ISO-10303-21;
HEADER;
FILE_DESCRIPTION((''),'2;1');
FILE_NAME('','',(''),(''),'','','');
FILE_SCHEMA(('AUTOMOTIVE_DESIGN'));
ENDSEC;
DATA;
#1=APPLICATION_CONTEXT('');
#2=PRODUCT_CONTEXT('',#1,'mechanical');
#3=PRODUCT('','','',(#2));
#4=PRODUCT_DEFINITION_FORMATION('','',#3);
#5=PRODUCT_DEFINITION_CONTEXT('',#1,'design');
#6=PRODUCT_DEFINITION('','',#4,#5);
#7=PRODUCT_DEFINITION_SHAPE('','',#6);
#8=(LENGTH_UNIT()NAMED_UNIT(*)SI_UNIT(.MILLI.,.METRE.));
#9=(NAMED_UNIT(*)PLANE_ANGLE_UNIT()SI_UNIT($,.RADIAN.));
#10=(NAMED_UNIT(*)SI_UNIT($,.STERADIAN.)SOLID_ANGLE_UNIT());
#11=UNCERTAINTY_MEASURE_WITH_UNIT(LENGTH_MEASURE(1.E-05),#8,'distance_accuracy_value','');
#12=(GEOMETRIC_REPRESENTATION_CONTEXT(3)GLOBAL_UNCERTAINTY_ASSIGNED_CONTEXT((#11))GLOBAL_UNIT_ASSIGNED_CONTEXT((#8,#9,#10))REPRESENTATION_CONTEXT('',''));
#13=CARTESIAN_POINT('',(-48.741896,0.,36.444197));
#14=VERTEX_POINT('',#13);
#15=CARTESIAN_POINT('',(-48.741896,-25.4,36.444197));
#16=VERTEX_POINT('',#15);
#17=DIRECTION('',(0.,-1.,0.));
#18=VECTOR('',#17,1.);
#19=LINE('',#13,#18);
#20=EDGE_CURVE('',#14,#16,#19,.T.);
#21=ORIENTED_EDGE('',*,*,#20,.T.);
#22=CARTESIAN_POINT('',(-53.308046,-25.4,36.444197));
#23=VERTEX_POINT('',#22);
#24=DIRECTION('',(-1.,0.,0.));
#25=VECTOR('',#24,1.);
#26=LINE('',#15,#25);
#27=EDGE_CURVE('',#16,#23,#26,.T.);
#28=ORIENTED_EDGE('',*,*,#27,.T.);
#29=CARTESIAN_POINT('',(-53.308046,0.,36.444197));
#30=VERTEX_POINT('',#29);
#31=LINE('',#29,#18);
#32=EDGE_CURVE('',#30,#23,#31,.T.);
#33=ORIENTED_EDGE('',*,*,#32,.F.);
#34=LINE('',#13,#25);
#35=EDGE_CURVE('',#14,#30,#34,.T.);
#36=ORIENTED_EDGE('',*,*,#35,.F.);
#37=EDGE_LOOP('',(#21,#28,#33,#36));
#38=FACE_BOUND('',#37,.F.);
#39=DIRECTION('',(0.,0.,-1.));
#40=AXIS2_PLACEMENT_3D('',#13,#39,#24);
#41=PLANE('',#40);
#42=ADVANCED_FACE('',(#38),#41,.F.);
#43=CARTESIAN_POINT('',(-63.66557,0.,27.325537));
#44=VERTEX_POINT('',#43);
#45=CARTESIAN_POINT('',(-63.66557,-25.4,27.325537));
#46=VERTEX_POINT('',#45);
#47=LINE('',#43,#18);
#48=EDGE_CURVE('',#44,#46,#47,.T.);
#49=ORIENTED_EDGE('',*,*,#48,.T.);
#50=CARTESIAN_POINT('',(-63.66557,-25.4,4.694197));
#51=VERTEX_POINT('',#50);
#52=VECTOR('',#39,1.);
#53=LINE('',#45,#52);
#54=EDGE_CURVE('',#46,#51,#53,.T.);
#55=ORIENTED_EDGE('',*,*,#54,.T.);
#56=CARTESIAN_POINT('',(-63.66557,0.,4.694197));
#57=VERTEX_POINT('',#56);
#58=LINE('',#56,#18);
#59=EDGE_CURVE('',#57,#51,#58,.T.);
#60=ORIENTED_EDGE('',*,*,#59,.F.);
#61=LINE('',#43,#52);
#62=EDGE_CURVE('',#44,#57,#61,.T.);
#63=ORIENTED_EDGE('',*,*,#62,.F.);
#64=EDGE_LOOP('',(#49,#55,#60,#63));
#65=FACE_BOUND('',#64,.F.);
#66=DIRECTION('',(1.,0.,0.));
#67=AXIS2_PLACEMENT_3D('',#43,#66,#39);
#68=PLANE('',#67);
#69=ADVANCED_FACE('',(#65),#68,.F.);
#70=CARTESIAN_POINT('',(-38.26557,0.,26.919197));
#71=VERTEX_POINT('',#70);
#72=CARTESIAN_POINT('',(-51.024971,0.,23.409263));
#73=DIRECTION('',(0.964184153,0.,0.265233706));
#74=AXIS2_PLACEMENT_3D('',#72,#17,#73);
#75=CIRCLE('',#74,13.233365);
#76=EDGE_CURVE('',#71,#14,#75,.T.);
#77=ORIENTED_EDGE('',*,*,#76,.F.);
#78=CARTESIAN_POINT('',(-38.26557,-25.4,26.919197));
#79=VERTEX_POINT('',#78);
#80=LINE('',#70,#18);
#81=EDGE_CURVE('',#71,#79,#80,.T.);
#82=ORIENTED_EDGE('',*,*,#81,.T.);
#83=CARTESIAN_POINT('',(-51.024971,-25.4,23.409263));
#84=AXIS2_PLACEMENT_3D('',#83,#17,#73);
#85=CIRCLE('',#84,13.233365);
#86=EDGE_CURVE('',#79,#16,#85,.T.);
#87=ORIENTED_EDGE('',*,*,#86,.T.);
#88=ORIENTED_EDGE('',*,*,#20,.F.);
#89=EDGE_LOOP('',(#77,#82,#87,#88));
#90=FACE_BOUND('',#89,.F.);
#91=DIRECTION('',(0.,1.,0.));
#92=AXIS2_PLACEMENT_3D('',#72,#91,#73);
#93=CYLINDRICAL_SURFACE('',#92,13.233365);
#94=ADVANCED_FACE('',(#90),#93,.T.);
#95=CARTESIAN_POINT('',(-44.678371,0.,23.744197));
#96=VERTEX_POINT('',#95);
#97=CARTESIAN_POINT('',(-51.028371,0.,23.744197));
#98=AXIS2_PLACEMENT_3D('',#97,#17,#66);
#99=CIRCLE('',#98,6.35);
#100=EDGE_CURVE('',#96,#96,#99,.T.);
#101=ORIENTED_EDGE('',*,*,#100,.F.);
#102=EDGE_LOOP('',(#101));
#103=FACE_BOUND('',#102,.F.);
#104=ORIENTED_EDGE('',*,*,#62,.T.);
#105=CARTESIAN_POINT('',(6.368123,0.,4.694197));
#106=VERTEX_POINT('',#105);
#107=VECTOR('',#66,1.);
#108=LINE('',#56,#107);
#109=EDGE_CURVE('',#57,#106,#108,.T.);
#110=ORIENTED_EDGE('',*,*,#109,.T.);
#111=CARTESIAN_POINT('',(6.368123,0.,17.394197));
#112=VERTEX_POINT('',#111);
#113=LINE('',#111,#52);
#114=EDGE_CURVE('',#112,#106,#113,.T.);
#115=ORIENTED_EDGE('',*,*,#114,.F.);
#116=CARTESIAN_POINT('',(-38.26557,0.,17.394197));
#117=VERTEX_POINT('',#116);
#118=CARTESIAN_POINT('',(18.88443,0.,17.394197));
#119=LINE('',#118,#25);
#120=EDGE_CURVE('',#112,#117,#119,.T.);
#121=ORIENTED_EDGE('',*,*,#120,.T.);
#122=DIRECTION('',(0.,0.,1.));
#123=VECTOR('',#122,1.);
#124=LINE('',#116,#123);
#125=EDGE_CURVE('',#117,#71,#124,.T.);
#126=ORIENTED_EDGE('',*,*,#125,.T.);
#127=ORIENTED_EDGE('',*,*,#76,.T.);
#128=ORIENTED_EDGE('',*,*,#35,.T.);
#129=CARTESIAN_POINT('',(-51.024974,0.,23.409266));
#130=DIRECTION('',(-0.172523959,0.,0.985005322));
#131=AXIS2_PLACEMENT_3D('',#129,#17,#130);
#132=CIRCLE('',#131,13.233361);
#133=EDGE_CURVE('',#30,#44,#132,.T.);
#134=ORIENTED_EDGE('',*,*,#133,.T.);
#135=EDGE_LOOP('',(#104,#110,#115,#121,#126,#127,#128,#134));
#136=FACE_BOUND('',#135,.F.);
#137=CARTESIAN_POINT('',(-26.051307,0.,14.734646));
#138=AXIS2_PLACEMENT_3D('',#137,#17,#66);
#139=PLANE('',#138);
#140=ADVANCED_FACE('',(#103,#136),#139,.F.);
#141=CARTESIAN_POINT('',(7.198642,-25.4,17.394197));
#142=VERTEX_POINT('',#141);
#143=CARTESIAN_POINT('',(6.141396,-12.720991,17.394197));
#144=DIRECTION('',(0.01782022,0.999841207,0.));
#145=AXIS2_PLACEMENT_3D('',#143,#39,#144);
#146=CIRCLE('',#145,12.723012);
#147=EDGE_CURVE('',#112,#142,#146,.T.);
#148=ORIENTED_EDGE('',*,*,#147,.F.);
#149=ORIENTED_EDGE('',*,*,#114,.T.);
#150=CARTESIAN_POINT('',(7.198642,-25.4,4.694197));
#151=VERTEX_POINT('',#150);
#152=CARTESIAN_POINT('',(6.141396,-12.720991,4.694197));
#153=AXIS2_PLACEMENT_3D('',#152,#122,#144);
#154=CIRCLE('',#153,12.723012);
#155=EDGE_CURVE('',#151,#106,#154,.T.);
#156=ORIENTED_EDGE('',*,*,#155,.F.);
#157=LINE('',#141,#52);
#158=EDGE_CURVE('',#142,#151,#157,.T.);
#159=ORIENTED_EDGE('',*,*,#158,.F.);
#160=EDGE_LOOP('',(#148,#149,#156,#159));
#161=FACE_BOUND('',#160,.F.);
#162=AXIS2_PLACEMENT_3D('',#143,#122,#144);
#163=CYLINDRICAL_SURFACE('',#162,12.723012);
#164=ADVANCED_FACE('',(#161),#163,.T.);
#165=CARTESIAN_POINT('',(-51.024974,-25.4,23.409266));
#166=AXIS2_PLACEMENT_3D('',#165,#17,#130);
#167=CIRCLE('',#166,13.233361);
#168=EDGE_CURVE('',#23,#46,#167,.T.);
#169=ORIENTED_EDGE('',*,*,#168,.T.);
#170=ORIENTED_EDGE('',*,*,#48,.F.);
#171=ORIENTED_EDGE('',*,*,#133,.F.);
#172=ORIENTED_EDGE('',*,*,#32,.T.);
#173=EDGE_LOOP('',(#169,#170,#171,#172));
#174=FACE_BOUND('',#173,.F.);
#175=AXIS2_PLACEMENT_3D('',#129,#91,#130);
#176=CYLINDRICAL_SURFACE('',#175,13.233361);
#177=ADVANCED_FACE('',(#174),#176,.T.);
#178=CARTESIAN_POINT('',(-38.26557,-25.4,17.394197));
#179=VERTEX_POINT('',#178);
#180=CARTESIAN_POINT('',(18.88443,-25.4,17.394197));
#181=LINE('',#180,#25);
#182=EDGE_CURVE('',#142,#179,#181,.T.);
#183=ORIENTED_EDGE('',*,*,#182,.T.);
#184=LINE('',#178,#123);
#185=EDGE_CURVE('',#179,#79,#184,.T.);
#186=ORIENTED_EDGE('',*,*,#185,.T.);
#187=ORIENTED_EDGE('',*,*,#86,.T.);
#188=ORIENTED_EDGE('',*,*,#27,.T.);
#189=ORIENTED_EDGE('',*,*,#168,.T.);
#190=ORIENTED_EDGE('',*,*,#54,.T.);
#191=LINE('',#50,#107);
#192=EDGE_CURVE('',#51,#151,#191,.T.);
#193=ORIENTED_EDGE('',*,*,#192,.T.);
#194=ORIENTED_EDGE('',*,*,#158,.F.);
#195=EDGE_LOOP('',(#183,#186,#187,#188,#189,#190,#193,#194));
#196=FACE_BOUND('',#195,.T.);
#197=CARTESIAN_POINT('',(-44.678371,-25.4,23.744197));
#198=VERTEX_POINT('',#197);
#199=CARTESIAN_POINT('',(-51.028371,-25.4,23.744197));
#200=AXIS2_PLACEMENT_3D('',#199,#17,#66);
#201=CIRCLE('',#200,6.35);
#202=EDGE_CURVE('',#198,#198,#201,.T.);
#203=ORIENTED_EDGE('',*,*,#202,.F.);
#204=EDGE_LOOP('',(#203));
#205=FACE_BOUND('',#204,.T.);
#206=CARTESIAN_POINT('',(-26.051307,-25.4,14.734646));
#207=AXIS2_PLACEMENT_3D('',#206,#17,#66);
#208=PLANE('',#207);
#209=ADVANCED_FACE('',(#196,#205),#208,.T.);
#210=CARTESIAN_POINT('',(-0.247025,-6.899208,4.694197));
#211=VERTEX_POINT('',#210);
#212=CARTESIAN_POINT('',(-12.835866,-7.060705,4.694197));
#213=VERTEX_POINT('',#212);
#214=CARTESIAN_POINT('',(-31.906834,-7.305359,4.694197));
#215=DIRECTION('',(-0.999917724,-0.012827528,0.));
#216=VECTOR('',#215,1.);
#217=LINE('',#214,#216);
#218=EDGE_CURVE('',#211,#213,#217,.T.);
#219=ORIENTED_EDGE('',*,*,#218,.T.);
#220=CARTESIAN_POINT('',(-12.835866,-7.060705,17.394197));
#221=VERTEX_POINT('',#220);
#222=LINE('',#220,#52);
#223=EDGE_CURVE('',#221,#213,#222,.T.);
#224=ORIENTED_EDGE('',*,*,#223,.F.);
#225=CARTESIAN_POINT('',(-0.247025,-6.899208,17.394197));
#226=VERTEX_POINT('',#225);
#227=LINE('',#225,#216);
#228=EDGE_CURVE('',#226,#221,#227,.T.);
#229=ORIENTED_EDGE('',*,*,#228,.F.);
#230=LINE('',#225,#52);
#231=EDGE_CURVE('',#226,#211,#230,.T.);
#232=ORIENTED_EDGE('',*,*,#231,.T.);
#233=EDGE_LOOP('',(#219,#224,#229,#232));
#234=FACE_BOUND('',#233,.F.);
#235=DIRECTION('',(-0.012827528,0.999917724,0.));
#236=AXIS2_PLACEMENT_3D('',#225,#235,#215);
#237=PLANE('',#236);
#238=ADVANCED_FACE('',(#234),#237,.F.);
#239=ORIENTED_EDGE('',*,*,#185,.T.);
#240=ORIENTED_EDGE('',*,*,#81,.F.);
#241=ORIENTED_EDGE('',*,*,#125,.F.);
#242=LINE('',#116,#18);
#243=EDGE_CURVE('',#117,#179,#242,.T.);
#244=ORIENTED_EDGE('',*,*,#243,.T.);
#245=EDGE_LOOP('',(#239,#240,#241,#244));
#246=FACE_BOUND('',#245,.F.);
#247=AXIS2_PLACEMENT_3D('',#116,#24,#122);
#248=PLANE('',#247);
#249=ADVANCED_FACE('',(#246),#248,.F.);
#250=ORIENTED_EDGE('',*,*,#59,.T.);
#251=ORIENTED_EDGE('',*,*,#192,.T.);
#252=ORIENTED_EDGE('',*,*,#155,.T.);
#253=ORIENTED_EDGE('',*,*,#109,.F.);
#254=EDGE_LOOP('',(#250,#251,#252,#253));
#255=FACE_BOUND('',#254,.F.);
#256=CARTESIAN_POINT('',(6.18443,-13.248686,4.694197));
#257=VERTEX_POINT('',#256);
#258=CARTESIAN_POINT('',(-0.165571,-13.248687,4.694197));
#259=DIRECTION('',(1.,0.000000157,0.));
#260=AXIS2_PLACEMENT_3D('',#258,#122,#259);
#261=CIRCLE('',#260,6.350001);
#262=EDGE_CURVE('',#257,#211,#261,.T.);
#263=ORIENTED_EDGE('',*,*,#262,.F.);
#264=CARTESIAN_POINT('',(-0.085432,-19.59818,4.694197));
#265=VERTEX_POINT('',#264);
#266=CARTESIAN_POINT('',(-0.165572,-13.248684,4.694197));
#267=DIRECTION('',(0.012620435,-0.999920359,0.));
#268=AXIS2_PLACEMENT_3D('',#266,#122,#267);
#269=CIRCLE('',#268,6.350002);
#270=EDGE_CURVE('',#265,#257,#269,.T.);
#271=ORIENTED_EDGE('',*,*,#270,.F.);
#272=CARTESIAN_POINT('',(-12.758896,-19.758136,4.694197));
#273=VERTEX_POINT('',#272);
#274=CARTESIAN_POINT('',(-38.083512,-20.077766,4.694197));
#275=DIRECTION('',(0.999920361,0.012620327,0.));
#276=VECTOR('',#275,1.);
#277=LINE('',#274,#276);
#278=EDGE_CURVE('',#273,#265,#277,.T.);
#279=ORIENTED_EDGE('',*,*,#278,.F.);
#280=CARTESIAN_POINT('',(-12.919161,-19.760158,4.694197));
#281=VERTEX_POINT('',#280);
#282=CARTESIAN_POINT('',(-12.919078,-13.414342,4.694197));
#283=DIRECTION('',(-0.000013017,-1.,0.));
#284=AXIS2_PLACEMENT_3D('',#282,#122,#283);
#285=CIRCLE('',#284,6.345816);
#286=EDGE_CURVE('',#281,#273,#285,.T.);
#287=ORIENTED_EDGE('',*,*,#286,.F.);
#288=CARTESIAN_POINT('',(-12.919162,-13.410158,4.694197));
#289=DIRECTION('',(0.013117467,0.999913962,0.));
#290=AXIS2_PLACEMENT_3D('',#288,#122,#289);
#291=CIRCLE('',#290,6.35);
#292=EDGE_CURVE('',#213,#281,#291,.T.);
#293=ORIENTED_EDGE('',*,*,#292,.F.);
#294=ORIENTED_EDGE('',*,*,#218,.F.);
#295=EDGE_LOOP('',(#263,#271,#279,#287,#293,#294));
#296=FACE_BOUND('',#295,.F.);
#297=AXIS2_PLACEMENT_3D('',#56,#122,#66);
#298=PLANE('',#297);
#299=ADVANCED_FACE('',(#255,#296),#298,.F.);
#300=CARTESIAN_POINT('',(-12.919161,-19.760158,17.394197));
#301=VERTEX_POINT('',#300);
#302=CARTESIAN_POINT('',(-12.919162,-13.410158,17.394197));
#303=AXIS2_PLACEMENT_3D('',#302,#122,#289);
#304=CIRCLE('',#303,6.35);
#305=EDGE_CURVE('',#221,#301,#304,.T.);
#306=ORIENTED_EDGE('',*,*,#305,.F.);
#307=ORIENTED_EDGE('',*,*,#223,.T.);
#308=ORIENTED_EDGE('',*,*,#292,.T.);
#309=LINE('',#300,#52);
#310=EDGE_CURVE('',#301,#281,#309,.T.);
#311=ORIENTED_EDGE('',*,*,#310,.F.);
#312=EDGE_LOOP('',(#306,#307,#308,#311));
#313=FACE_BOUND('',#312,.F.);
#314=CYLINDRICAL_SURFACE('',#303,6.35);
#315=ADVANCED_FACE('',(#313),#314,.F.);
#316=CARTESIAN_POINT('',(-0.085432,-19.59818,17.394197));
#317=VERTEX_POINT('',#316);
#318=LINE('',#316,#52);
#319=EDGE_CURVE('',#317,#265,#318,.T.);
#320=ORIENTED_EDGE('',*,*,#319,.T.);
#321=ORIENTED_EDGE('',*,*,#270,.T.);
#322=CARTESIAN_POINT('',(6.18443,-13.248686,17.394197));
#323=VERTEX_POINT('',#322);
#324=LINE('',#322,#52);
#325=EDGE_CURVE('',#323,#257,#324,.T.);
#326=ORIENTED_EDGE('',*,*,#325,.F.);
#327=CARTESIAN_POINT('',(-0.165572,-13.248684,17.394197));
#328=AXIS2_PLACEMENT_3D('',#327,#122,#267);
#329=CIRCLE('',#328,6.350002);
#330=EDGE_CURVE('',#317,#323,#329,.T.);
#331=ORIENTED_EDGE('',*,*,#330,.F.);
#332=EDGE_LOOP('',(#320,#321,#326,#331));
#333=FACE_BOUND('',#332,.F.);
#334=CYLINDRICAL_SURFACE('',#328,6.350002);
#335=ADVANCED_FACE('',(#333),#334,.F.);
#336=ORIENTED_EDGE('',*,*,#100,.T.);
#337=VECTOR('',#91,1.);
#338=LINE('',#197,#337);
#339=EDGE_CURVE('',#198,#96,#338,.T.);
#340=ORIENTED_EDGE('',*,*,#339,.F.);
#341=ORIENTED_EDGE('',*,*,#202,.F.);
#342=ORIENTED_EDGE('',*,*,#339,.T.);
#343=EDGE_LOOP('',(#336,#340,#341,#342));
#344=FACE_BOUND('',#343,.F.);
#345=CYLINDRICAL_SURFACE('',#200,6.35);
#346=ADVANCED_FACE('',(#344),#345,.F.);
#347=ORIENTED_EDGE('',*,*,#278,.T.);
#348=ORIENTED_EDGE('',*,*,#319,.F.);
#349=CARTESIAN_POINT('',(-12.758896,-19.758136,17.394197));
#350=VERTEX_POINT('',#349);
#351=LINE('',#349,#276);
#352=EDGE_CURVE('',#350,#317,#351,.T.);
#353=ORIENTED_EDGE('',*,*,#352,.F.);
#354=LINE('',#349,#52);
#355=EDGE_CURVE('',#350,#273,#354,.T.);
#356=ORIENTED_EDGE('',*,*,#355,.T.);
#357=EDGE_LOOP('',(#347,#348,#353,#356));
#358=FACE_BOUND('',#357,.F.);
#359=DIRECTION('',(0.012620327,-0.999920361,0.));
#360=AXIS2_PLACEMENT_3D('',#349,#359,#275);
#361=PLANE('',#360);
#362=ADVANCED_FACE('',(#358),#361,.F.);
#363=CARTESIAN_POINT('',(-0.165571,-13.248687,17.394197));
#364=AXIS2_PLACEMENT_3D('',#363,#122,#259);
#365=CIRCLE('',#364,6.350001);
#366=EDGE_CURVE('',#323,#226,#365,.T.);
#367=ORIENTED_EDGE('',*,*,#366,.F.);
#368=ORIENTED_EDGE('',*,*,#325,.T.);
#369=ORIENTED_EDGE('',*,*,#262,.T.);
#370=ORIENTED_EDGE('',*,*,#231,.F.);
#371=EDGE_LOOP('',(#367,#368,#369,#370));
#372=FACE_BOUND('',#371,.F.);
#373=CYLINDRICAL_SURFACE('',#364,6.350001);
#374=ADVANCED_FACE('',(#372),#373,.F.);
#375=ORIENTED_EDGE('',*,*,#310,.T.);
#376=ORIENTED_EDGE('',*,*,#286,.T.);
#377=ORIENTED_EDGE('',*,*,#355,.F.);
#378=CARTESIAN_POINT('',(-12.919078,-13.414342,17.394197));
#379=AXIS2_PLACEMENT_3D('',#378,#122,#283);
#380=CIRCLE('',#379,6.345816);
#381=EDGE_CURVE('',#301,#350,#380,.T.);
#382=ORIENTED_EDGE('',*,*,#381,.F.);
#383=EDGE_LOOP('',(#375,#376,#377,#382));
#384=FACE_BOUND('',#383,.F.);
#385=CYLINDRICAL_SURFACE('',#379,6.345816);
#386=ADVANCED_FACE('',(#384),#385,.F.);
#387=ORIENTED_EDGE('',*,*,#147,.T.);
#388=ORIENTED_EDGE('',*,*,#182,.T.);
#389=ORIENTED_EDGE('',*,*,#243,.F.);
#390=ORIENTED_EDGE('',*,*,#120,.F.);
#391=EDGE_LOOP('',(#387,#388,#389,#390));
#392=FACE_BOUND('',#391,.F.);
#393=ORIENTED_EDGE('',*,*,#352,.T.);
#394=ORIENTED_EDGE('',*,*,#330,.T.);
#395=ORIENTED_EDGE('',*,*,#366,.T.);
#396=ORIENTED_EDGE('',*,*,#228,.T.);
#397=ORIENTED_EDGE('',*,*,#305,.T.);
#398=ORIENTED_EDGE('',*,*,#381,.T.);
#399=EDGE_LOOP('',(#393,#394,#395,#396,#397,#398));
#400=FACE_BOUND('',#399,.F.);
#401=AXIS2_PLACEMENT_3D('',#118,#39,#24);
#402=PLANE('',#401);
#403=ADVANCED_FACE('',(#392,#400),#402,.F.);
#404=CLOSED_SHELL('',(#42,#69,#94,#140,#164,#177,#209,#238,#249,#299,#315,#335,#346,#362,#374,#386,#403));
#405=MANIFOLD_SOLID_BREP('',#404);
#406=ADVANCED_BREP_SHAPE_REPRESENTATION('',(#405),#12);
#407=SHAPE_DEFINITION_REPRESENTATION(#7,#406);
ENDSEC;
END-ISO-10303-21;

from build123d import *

# Parameters (mm, degrees)
F1_DEPTH = 25.4
F4_DEPTH = 25.4
F5_R     = 6.35
F6_DEPTH = 25.4
F8_DEPTH = 25.4


with BuildPart() as f1:
    # F0 (on Front) → F1 (new body)
    with BuildSketch(Plane.XZ):
        with BuildLine():
            Line((-48.741896, 36.444197), (-53.308046, 36.444197))
            ThreePointArc((-53.308046, 36.444197), (-59.769484, 33.341808), (-63.66557, 27.325537))
            Line((-63.66557, 27.325537), (-63.66557, 4.694197))
            Line((-63.66557, 4.694197), (18.88443, 4.694197))
            Line((18.88443, 4.694197), (18.88443, 17.394197))
            Line((18.88443, 17.394197), (-38.26557, 17.394197))
            Line((-38.26557, 17.394197), (-38.26557, 26.919197))
            ThreePointArc((-38.26557, 26.919197), (-42.1227, 33.200663), (-48.741896, 36.444197))
        make_face()
    extrude(amount=F1_DEPTH)

    # F3 (on face) → F4 (cut)
    with BuildSketch(Plane.XY.offset(17.394197)):
        with BuildLine():
            ThreePointArc((6.368123, 0), (18.857612, -12.305201), (7.198642, -25.4))
            Line((7.198642, -25.4), (18.88443, -25.4))
            Line((18.88443, -25.4), (18.88443, 0))
            Line((18.88443, 0), (6.368123, 0))
        make_face()
    extrude(amount=-F4_DEPTH, mode=Mode.SUBTRACT)

    # F5 (on face) → F6 (cut)
    with BuildSketch(Plane.XZ.offset(25.4)):
        with Locations((-51.028371, 23.744197)):
            Circle(F5_R)
    extrude(amount=-F6_DEPTH, mode=Mode.SUBTRACT)

    # F7 (on face) → F8 (cut)
    with BuildSketch(Plane.XY.offset(17.394197)):
        with BuildLine():
            ThreePointArc((-0.085432, -19.59818), (4.352802, -17.71039), (6.18443, -13.248686))
            ThreePointArc((6.18443, -13.248686), (4.295666, -8.729851), (-0.247025, -6.899208))
            ThreePointArc((-0.247025, -6.899208), (-6.515056, -13.329482), (-0.085432, -19.59818))
        make_face()
        with BuildLine():
            ThreePointArc((-0.085432, -19.59818), (-6.515056, -13.329482), (-0.247025, -6.899208))
            Line((-0.247025, -6.899208), (-12.835866, -7.060705))
            ThreePointArc((-12.835866, -7.060705), (-8.39968, -8.949577), (-6.569161, -13.410158))
            ThreePointArc((-6.569161, -13.410158), (-8.372724, -17.843262), (-12.758896, -19.758136))
            Line((-12.758896, -19.758136), (-0.085432, -19.59818))
        make_face()
        with BuildLine():
            ThreePointArc((-6.569161, -13.410158), (-8.39968, -8.949577), (-12.835866, -7.060705))
            ThreePointArc((-12.835866, -7.060705), (-19.269025, -13.36851), (-12.919161, -19.760158))
            Line((-12.919161, -19.760158), (-12.758896, -19.758136))
            ThreePointArc((-12.758896, -19.758136), (-8.372724, -17.843262), (-6.569161, -13.410158))
        make_face()
        with BuildLine():
            ThreePointArc((-12.919161, -19.760158), (-12.839022, -19.759653), (-12.758896, -19.758136))
            Line((-12.758896, -19.758136), (-12.919161, -19.760158))
        make_face()
    extrude(amount=-F8_DEPTH, mode=Mode.SUBTRACT)


solid = f1.part
